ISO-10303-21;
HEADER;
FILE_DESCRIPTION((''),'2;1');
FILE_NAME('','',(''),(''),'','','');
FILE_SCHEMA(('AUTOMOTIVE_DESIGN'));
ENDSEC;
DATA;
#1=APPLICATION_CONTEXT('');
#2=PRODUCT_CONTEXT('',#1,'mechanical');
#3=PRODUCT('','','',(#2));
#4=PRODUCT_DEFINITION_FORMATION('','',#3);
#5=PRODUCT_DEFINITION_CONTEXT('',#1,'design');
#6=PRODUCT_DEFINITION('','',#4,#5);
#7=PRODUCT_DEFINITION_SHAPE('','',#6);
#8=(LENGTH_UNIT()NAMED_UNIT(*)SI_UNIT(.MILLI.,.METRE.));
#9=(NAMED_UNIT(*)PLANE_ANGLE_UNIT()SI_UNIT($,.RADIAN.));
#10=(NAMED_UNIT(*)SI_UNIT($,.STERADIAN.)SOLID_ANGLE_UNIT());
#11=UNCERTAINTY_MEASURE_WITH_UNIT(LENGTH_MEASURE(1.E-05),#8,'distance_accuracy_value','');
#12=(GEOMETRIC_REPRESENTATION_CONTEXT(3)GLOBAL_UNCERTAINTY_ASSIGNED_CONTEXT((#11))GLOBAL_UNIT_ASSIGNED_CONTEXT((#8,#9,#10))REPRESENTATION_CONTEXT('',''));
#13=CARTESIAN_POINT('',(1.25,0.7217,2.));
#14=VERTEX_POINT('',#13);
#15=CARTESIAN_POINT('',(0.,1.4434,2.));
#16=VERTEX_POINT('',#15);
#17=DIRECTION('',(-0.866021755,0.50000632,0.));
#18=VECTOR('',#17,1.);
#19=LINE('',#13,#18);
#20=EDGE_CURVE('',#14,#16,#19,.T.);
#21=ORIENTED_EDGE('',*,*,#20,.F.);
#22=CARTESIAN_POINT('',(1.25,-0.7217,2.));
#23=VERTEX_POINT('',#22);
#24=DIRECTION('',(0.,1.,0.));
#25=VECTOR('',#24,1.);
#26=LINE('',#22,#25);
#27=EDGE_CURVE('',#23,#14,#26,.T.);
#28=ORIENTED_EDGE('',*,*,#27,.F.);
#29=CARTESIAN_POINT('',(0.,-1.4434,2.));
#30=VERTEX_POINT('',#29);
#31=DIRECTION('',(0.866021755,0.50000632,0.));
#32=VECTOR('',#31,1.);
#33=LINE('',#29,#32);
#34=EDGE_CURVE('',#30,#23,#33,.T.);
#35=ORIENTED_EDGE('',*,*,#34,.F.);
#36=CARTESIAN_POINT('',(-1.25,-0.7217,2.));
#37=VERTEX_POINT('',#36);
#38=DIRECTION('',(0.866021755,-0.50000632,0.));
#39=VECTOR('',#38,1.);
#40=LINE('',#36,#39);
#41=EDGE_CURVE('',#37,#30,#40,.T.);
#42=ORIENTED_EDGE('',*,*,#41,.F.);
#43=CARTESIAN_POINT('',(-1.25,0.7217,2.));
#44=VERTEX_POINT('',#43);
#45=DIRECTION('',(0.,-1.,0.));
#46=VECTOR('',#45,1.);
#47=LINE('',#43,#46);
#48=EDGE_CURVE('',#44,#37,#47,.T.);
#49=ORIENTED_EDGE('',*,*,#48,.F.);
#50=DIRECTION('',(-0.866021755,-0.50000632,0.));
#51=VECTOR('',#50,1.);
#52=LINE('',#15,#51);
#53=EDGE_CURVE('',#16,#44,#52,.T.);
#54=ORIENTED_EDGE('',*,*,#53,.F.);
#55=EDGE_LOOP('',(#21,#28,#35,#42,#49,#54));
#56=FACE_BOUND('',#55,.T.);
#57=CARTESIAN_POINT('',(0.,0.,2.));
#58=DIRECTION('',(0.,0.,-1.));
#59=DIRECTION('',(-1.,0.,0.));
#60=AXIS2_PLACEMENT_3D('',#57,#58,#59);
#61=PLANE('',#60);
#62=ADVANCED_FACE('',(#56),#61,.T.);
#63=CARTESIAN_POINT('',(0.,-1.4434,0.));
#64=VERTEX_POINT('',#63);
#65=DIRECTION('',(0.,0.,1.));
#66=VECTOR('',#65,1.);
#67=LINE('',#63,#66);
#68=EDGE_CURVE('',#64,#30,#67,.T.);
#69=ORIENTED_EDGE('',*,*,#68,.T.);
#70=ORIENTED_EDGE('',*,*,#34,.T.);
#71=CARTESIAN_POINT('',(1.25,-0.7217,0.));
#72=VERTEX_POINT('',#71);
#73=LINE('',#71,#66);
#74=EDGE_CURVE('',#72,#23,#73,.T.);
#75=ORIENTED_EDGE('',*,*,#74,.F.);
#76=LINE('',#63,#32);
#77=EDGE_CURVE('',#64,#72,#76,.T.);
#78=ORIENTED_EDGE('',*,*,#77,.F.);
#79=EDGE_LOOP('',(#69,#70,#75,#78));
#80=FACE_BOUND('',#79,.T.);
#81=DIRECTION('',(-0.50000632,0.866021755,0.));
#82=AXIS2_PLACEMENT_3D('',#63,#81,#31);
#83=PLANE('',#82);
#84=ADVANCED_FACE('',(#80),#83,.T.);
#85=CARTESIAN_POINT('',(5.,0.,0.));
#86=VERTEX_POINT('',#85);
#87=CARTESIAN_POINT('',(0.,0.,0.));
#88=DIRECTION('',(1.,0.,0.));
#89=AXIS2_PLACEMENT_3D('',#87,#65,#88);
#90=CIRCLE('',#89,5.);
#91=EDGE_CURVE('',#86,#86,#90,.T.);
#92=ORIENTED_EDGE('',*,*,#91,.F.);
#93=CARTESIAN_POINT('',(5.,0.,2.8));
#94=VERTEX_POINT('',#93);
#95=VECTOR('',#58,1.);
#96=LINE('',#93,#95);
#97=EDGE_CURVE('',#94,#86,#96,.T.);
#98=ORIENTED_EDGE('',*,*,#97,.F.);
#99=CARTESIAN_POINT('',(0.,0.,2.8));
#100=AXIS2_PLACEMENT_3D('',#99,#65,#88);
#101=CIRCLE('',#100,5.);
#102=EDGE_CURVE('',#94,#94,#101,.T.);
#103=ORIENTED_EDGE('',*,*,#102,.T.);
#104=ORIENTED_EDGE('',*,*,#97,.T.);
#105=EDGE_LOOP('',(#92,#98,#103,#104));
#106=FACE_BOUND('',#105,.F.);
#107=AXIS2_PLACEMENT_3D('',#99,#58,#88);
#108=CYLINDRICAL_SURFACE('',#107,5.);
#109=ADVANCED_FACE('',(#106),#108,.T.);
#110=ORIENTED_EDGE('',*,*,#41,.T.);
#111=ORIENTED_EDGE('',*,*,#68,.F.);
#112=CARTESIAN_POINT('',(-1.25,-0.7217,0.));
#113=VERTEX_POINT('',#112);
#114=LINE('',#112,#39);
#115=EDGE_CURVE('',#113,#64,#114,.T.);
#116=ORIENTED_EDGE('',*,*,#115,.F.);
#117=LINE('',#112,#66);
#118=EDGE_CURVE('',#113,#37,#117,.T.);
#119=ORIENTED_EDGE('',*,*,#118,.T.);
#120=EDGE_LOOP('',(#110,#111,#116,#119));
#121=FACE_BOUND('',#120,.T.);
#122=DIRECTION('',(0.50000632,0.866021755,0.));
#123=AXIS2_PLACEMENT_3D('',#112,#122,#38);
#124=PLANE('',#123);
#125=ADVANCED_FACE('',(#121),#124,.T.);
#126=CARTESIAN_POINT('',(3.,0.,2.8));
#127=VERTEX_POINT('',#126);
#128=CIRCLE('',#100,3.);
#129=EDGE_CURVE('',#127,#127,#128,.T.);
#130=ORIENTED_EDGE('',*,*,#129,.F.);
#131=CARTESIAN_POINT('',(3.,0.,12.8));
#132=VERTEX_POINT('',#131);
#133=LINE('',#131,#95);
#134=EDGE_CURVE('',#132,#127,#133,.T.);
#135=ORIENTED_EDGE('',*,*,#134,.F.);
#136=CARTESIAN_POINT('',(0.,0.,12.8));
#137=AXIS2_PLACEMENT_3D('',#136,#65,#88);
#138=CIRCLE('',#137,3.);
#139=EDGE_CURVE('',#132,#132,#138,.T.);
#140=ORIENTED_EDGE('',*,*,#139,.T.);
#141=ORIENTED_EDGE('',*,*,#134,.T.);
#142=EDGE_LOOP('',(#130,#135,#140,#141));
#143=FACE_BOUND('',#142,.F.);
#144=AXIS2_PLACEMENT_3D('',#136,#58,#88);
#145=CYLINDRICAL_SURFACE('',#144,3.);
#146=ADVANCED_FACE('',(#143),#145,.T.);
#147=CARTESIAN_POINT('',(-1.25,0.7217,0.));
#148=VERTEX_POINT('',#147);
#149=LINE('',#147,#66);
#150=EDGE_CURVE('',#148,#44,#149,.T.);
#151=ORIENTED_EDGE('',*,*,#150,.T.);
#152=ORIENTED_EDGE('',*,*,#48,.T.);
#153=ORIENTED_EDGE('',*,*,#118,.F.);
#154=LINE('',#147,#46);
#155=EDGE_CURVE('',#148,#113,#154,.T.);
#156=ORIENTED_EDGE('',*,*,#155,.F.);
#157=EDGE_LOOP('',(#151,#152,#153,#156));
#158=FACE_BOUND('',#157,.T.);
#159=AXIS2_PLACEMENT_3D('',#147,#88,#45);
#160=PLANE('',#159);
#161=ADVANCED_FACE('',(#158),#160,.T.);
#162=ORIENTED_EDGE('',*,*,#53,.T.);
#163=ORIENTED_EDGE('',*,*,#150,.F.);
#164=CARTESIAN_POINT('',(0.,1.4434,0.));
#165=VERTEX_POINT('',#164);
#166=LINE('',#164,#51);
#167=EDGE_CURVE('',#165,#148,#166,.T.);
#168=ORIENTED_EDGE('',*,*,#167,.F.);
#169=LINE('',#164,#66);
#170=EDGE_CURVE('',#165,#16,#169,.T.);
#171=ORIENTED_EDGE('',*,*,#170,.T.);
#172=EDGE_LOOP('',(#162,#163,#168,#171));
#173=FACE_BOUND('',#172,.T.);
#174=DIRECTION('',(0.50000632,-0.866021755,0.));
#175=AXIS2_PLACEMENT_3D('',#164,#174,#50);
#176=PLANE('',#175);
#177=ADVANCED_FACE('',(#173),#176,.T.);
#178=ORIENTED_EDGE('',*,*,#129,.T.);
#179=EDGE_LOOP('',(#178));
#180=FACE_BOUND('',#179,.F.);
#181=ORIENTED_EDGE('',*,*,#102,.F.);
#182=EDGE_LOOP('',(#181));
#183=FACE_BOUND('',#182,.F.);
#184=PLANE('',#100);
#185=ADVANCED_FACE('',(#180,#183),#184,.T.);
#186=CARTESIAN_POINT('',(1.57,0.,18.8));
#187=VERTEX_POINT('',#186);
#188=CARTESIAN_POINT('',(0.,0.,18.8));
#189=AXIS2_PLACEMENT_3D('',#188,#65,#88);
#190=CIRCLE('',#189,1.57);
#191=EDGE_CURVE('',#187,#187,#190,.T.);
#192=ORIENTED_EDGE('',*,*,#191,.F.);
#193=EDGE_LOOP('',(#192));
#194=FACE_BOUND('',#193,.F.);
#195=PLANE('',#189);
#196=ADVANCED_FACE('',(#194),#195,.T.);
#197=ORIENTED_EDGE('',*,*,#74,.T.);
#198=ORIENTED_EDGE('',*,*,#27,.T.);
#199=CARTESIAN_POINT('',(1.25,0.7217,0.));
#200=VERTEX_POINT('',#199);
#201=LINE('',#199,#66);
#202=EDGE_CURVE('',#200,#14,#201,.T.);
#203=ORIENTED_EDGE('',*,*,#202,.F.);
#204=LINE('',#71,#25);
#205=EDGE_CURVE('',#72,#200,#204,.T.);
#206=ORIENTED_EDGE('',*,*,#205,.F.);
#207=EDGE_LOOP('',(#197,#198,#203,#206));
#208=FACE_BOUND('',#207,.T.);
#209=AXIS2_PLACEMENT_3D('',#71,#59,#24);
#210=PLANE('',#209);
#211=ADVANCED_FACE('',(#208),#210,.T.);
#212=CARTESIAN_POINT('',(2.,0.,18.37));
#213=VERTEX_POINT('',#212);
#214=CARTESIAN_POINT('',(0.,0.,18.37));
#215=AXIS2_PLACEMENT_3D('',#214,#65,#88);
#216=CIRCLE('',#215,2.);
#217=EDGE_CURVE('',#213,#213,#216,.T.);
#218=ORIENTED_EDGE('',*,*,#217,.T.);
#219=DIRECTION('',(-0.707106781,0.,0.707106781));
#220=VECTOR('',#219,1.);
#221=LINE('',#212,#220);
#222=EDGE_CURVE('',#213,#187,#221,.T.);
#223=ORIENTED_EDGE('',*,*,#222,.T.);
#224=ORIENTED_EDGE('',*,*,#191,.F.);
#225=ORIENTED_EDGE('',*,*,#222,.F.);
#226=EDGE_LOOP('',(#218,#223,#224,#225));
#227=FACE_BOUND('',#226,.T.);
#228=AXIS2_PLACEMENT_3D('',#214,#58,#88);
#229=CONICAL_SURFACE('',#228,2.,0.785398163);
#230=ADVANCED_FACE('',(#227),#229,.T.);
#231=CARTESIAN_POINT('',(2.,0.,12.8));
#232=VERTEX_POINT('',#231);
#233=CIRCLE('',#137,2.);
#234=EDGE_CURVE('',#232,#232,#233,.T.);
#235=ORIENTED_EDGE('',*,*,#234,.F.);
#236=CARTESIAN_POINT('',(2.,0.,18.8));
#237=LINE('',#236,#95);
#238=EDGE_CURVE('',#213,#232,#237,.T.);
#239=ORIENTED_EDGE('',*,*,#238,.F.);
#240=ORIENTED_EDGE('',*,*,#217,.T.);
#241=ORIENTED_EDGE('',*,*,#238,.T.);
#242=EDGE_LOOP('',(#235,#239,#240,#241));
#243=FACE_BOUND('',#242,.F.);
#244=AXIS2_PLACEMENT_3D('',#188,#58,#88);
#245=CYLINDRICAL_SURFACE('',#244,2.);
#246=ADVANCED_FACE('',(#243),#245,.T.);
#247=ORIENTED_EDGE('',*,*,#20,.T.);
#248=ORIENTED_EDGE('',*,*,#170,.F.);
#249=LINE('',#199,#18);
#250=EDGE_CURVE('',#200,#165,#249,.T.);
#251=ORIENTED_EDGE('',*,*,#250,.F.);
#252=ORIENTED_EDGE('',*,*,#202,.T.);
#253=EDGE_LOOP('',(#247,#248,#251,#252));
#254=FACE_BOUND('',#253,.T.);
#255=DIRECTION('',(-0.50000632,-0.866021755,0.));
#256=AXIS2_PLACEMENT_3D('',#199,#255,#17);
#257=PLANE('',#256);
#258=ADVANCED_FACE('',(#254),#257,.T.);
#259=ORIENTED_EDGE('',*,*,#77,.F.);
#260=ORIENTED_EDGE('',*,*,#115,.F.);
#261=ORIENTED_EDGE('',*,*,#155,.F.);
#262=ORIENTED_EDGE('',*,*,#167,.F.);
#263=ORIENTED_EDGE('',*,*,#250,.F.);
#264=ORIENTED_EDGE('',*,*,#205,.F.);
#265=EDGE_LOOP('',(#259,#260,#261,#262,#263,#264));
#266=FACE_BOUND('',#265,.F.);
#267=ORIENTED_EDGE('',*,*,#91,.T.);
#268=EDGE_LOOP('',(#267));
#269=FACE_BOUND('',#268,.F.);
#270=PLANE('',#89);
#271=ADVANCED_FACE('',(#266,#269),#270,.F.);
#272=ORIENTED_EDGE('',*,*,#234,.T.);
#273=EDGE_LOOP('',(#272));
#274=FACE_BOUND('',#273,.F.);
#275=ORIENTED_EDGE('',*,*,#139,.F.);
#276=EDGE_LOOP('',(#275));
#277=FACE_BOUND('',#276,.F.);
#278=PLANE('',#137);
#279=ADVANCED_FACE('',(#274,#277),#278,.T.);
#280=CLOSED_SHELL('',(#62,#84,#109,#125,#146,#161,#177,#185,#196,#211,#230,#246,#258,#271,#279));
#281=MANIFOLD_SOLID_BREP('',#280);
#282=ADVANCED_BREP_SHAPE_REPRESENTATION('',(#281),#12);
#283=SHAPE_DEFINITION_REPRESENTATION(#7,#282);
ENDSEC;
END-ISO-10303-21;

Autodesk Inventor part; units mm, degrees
ref_plane "YZ Plane" through (0, 0, 0) normal (1, 0, 0) x (0, 1, 0)
ref_plane "XZ Plane" through (0, 0, 0) normal (0, 1, 0) x (-1, 0, 0)
ref_plane "XY Plane" through (0, 0, 0) normal (0, 0, 1) x (1, 0, 0)
sketch "Sketch1" plane through (0, 0, 0) normal (0, 1, 0) x (-1, 0, 0)
  line L0 (0, 0) -> (0, 18.8)
  line L1 (0, 18.8) -> (-2, 18.8)
  line L2 (-2, 18.8) -> (-2, 12.8)
  line L3 (-2, 12.8) -> (-3, 12.8)
  line L4 (-3, 12.8) -> (-3, 2.8)
  line L5 (-3, 2.8) -> (-5, 2.8)
  line L6 (-5, 2.8) -> (-5, 0)
  line L7 (-5, 0) -> (0, 0)
  dimension "d0" = 10
  dimension "d1" = 6
  dimension "d2" = 4
  dimension "d3" = 6
  dimension "d4" = 10
  dimension "d5" = 2.8
revolve "Revolution1" add sketch "Sketch1" angle 360 about axis through (0, 0, 0) along (0, 0, 1)
thread "Thread1" size "M4x0.7" class "6g" standard "ANSI Metric M Profile" length 6 offset 1.2
sketch "Sketch2" plane through (0, 0, 0) normal (0, 0, -1) x (-1, 0, 0)
  line L0 (0, 1.4434) -> (1.25, 0.7217)
  line L1 (1.25, 0.7217) -> (1.25, -0.7217)
  line L2 (1.25, -0.7217) -> (0, -1.4434)
  line L3 (0, -1.4434) -> (-1.25, -0.7217)
  line L4 (-1.25, -0.7217) -> (-1.25, 0.7217)
  line L5 (-1.25, 0.7217) -> (0, 1.4434)
  point P0 (0, 0)
  point P1 (0, 0)
  dimension "d9" = 2.5
extrude "Extrusion1" cut sketch "Sketch2" against normal blind 2
chamfer "Chamfer1" distance 0.43 angle 45 1 edges at (-2, 0, 18.8)
properties part number "DBSY4-10-6" material "Stainless Steel AISI 304"
